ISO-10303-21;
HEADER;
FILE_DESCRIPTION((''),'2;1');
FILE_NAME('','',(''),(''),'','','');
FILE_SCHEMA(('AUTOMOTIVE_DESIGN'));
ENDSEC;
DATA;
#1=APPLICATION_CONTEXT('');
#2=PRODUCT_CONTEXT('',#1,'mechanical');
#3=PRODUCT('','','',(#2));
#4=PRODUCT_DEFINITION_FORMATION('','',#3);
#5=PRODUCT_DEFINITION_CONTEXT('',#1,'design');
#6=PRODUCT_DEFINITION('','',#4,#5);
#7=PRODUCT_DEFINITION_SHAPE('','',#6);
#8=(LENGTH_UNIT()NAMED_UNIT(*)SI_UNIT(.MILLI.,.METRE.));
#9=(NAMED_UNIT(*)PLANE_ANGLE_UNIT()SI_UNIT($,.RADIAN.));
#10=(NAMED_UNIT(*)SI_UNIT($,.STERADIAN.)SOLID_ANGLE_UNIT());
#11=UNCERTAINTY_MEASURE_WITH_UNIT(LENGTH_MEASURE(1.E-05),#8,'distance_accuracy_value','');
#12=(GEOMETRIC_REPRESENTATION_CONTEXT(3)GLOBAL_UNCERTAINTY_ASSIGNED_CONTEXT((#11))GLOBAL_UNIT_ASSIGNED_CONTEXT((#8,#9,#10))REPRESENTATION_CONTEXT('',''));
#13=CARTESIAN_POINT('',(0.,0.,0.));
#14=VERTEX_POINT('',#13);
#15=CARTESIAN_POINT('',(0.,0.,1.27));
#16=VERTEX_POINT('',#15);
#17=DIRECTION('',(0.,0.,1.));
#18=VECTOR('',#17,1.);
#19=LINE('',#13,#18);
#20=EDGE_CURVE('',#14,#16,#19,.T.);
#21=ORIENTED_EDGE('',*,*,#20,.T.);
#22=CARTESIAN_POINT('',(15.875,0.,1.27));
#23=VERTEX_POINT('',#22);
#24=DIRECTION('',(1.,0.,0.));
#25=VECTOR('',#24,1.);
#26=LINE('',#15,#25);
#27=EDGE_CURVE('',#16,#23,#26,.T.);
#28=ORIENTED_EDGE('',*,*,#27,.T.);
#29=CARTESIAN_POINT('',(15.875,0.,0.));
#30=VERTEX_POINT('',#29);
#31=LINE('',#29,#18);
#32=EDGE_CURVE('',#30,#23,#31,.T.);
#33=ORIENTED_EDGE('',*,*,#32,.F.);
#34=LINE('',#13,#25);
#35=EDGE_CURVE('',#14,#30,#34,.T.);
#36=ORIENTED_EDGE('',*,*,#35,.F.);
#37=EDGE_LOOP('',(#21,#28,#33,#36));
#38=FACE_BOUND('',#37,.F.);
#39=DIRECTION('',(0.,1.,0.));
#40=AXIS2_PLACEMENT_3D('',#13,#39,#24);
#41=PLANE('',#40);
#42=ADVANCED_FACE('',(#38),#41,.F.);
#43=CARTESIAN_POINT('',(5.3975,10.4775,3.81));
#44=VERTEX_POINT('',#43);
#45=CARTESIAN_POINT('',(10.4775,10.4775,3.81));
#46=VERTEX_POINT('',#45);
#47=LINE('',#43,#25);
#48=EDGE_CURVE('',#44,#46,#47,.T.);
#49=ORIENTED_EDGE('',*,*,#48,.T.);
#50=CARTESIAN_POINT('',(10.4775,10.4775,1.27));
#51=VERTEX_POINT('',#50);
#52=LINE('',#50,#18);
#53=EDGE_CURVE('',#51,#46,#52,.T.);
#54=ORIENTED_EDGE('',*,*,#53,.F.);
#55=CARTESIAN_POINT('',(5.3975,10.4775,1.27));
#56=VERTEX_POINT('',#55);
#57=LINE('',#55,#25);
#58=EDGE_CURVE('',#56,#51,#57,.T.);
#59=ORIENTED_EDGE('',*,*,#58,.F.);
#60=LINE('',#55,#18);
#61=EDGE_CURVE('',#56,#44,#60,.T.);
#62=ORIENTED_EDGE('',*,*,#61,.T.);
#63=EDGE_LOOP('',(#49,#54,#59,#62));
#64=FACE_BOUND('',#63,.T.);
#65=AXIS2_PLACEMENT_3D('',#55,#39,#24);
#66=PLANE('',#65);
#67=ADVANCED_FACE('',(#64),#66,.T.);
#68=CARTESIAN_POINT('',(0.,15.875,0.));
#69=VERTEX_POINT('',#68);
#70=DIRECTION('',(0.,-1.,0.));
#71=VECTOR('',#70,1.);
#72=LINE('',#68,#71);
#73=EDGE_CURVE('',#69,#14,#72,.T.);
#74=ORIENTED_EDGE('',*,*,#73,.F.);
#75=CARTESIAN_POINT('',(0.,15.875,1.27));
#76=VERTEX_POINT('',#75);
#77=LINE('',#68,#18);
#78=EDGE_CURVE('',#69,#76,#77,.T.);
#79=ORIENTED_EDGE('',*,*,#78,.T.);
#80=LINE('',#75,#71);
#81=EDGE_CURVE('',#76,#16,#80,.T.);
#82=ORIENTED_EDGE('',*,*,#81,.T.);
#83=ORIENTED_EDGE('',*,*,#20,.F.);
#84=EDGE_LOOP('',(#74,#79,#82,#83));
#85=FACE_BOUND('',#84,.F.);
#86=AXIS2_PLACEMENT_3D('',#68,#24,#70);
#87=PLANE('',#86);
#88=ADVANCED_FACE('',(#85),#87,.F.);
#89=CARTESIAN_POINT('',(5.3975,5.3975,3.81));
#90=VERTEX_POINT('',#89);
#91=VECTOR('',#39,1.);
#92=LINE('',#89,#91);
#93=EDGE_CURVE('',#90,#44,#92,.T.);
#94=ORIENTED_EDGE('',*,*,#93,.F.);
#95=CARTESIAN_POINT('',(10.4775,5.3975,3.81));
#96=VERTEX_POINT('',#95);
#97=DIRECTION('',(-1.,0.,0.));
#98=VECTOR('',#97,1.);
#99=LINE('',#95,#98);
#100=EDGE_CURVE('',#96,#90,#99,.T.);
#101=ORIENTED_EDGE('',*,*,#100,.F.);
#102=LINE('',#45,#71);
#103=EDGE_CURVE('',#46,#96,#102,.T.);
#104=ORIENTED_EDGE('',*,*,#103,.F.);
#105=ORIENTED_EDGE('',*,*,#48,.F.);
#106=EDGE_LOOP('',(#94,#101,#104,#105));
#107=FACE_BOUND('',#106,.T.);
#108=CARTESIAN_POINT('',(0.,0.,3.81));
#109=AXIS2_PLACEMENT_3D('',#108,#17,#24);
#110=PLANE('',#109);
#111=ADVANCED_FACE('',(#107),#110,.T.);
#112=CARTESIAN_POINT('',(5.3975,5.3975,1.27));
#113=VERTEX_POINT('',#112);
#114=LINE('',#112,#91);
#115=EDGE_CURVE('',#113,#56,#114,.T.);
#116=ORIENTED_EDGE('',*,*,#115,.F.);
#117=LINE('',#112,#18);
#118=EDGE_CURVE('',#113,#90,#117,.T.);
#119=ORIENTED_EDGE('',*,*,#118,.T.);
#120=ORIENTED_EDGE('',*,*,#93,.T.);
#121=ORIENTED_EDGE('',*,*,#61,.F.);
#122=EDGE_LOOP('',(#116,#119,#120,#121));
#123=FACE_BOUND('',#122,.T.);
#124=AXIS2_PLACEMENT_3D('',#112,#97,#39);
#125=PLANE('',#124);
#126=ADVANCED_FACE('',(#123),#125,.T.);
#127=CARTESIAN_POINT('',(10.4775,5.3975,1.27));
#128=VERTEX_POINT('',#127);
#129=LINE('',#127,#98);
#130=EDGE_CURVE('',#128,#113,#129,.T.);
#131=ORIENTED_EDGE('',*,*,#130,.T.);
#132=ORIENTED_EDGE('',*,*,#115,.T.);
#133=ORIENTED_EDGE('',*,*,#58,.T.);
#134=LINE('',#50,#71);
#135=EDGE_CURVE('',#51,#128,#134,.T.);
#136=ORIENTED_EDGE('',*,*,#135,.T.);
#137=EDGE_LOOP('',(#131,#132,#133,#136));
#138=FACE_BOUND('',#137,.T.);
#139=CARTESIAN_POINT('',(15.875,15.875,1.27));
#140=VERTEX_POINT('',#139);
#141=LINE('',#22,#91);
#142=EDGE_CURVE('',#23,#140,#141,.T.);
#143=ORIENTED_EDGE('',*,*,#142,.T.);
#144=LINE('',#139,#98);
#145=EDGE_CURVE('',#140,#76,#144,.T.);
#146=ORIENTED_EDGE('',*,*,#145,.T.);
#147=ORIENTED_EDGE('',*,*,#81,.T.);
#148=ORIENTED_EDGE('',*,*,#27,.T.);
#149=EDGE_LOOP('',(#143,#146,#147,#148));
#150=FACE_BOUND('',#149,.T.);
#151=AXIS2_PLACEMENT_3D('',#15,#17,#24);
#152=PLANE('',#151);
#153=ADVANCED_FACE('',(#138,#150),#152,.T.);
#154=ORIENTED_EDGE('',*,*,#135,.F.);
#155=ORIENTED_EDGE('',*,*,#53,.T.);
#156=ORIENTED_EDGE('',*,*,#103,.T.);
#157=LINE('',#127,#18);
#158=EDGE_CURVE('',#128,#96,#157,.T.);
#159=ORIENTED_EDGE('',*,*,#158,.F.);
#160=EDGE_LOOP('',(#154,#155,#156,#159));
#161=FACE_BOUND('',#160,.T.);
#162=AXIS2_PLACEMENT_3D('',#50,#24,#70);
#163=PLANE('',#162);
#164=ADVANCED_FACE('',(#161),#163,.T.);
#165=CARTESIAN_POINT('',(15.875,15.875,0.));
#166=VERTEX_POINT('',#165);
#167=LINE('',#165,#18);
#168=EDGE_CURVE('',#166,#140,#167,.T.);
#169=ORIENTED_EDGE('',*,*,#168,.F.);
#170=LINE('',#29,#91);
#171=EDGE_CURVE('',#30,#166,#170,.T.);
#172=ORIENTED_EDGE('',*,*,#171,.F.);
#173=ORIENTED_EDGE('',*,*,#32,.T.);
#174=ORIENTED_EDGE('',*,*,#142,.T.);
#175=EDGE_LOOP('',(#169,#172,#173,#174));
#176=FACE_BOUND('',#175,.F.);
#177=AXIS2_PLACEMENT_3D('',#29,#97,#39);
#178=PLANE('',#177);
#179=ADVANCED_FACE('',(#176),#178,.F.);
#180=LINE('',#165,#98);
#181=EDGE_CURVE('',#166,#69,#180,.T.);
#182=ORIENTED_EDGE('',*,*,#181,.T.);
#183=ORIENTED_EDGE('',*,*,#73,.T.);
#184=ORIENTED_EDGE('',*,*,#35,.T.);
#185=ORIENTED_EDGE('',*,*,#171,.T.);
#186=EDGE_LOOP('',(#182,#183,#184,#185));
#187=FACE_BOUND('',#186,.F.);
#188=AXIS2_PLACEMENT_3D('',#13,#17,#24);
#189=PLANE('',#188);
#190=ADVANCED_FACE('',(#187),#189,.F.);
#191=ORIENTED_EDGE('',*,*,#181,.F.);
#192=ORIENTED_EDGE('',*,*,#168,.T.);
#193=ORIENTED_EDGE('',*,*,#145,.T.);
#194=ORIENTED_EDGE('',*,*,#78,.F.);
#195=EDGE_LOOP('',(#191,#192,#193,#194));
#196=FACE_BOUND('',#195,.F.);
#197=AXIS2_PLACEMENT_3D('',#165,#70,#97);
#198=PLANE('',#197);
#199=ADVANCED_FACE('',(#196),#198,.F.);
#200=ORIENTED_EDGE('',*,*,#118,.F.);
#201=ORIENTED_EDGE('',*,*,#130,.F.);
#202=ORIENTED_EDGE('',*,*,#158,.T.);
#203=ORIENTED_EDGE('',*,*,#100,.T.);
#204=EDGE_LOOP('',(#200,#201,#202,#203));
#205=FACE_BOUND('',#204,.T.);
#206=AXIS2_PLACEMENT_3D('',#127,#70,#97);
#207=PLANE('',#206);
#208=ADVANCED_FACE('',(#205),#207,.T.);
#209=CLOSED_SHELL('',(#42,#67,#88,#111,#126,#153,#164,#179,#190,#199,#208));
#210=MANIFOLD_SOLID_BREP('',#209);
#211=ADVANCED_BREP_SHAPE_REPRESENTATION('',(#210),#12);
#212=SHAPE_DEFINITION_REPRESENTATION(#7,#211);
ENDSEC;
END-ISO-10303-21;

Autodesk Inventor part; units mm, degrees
ref_plane "YZ Plane" through (0, 0, 0) normal (1, 0, 0) x (0, 1, 0)
ref_plane "XZ Plane" through (0, 0, 0) normal (0, 1, 0) x (-1, 0, 0)
ref_plane "XY Plane" through (0, 0, 0) normal (0, 0, 1) x (1, 0, 0)
sketch "Sketch1" plane through (0, 0, 0) normal (0, 0, 1) x (1, 0, 0)
  line L0 (0, 0) -> (15.875, 0)
  line L1 (15.875, 0) -> (15.875, 15.875)
  line L2 (15.875, 15.875) -> (0, 15.875)
  line L3 (0, 15.875) -> (0, 0)
  dimension "d0" = 15.875
  dimension "d1" = 15.875
extrude "Extrusion1" add sketch "Sketch1" along normal blind 1.27
sketch "Sketch2" plane through (0, 0, 1.27) normal (0, 0, 1) x (1, 0, 0)
  line L0 (0, 0) -> (15.875, 0) projected
  line L1 (15.875, 0) -> (15.875, 15.875) projected
  line L2 (15.875, 15.875) -> (0, 15.875) projected
  line L3 (0, 15.875) -> (0, 0) projected
  line L4 (5.3975, 10.4775) -> (10.4775, 10.4775)
  line L5 (10.4775, 10.4775) -> (10.4775, 5.3975)
  line L6 (10.4775, 5.3975) -> (5.3975, 5.3975)
  line L7 (5.3975, 5.3975) -> (5.3975, 10.4775)
  dimension "d4" = 5.08
extrude "Extrusion2" add sketch "Sketch2" along normal blind 2.54 contours L4 L5 L6 L7
properties part number "ledstrip"
